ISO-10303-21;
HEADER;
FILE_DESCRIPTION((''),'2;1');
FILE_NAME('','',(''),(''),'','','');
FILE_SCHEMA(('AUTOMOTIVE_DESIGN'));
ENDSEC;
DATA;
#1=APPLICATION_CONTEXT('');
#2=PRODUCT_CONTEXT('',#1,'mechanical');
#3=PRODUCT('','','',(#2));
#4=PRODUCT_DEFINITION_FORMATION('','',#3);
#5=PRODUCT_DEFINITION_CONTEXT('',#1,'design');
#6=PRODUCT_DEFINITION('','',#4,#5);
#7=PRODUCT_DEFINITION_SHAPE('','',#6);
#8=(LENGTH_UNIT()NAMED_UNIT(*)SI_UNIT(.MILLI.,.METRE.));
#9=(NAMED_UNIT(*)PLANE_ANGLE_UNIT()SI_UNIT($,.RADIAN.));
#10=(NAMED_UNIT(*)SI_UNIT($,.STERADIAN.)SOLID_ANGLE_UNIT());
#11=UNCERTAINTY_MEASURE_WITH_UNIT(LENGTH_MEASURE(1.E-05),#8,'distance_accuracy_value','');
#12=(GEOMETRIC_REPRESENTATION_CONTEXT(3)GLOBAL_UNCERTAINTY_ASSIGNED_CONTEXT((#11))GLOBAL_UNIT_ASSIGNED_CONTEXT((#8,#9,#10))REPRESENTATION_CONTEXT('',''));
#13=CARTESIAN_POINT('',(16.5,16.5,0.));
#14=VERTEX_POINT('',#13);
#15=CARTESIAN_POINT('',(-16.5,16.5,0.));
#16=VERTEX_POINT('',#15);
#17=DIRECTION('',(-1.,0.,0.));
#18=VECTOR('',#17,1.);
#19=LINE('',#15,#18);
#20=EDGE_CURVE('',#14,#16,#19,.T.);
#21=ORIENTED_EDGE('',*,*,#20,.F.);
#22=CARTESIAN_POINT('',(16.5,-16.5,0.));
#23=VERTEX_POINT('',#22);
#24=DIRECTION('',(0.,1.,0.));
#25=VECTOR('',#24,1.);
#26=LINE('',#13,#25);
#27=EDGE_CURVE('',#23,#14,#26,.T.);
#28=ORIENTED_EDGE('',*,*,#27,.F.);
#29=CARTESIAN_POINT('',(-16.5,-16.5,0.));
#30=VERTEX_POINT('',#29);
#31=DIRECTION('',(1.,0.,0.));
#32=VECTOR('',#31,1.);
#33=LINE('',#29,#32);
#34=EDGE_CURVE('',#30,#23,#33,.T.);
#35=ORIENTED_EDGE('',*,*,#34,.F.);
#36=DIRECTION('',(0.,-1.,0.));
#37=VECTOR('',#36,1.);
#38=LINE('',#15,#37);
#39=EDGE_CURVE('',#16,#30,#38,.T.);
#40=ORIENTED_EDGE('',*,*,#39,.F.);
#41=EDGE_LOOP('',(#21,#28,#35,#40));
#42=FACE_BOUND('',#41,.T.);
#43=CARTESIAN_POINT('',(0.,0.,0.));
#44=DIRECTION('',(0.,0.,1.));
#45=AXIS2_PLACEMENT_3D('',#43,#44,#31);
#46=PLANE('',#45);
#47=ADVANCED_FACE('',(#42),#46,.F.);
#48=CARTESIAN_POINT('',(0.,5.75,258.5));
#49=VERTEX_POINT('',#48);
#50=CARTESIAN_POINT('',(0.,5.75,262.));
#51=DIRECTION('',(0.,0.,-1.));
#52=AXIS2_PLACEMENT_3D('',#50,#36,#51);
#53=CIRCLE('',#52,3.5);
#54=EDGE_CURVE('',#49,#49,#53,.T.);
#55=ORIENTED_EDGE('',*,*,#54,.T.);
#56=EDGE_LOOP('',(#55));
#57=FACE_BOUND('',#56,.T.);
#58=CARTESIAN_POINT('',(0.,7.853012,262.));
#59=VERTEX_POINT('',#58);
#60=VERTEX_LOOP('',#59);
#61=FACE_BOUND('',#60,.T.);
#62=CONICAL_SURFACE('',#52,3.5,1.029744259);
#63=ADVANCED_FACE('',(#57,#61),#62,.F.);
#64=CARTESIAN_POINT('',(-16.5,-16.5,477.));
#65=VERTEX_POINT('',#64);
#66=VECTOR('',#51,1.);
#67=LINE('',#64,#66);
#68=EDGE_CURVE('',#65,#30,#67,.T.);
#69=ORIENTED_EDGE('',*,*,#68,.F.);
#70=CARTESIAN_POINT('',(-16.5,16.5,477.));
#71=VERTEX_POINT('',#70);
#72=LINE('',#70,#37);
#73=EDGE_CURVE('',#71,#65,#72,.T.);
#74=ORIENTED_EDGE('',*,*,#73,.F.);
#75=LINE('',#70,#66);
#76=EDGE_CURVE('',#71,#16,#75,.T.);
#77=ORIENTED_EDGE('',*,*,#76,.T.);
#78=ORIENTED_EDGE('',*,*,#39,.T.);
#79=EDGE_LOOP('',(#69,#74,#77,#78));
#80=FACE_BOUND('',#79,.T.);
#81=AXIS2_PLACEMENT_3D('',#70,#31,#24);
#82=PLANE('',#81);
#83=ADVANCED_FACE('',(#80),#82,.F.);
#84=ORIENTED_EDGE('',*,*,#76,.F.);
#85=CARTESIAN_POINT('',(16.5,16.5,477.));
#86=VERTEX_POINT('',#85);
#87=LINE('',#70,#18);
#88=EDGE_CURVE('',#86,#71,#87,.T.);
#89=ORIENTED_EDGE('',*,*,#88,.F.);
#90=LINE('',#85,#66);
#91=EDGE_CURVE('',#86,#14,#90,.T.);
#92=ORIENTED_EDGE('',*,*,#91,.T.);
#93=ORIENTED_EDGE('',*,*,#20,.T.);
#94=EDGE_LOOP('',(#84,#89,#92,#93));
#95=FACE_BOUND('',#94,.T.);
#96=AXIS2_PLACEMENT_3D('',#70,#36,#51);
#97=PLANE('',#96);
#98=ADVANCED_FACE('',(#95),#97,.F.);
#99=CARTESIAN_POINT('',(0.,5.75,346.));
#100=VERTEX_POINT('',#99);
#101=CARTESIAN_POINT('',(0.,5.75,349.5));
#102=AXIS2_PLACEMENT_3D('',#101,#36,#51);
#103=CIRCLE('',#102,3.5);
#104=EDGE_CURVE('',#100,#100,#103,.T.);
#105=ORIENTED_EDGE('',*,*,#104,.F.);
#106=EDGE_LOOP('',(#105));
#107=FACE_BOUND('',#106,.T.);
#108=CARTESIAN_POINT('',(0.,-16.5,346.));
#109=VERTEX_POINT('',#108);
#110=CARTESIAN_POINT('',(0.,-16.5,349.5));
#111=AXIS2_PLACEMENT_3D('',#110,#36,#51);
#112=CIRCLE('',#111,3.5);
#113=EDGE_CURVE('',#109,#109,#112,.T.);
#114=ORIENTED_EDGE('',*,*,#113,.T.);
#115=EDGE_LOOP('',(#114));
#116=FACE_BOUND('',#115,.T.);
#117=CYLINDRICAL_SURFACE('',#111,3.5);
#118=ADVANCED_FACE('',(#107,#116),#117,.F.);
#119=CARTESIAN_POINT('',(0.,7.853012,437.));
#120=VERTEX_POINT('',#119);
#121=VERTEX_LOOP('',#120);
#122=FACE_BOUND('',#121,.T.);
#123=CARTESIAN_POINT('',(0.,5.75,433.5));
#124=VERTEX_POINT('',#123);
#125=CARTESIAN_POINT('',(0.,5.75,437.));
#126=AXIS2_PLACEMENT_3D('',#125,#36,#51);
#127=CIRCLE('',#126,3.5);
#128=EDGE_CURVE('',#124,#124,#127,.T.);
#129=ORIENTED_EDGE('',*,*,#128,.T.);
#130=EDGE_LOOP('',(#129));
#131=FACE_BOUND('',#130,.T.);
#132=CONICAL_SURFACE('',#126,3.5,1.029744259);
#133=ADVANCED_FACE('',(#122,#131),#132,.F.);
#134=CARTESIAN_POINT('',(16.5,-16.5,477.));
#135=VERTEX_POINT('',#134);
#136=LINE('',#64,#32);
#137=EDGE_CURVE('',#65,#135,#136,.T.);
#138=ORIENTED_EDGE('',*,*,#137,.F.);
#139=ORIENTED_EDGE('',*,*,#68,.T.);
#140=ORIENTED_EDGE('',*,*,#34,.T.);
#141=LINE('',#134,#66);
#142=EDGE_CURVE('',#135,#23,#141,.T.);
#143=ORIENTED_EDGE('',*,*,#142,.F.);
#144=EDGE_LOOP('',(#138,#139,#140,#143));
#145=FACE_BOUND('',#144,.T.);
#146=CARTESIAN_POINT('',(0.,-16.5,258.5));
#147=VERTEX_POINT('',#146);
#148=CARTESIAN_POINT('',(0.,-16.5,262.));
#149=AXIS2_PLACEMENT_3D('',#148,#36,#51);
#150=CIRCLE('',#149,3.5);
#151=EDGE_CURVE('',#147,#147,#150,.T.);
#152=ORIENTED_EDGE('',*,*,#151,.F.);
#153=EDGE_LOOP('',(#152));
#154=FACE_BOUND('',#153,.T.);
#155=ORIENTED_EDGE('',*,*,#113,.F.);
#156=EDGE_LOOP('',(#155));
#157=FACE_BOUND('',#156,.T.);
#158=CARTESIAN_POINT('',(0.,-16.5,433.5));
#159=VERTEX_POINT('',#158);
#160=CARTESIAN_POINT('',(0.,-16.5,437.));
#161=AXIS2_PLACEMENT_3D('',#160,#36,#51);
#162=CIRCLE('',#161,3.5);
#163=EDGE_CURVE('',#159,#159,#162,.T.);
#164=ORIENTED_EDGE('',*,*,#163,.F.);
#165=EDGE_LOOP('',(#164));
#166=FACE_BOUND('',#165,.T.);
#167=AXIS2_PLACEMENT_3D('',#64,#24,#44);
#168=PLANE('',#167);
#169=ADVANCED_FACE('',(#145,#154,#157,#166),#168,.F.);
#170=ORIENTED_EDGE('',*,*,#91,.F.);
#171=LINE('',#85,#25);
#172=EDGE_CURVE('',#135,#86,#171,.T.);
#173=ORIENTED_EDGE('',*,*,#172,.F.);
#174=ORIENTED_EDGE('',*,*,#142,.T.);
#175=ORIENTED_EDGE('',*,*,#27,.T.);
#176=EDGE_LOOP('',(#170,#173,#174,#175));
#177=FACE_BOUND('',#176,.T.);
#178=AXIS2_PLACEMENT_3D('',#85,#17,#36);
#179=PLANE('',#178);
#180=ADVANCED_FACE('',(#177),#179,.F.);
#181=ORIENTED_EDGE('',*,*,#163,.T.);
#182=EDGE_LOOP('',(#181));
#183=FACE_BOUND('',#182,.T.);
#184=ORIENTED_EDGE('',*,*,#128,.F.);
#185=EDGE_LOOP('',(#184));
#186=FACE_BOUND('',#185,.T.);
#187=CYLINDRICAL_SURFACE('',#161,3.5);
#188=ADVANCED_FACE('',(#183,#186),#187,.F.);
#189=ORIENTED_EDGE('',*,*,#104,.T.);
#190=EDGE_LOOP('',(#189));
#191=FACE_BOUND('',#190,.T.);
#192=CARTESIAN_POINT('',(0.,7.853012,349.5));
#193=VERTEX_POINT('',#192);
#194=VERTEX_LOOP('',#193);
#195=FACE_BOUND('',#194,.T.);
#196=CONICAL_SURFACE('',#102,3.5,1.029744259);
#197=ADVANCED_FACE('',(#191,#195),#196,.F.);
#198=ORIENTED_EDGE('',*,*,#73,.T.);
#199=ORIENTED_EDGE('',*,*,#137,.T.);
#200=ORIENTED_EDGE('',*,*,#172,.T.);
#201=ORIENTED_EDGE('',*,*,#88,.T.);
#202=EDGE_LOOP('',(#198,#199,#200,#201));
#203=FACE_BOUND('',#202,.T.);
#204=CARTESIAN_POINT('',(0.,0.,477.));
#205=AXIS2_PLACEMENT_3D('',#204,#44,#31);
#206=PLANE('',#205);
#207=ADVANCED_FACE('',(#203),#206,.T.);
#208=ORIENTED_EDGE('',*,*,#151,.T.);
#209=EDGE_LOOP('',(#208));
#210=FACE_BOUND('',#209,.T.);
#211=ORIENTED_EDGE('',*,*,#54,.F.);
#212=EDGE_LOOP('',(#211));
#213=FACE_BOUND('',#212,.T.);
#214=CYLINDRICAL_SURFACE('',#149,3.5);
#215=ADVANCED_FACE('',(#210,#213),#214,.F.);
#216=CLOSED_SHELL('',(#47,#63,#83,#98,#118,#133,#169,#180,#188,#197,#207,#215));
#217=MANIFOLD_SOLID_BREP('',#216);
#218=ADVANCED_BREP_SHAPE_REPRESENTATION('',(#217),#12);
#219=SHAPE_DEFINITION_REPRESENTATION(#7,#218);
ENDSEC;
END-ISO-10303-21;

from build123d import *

# Parameters (mm, degrees)
SKIZZE1_W                          = 33
SKIZZE1_H                          = 33
AUFSATZ_LINEAR_AUSTRAGEN1_DEPTH    = 477
F_7_0_7_DURCHMESSER_BOHRUNG1_D     = 7
F_7_0_7_DURCHMESSER_BOHRUNG1_DEPTH = 22.25
F_7_0_7_DURCHMESSER_BOHRUNG1_TIP   = 2.103012167


with BuildPart() as part:
    # Skizze1 → Aufsatz-Linear austragen1 (new body)
    with BuildSketch(Plane.XY):
        Rectangle(SKIZZE1_W, SKIZZE1_H)
    extrude(amount=AUFSATZ_LINEAR_AUSTRAGEN1_DEPTH)

    # Ø7.0 (7) Durchmesser Bohrung1
    with Locations(Plane(origin=(0, -16.5, 0), x_dir=(-1, 0, 0), z_dir=(0, -1, 0))):
        with Locations((0, -437), (0, -349.5), (0, -262)):
            Hole(F_7_0_7_DURCHMESSER_BOHRUNG1_D / 2, depth=F_7_0_7_DURCHMESSER_BOHRUNG1_DEPTH)
            with Locations((0, 0, -(F_7_0_7_DURCHMESSER_BOHRUNG1_DEPTH + F_7_0_7_DURCHMESSER_BOHRUNG1_TIP / 2))):  # 118° drill point
                Cone(0, F_7_0_7_DURCHMESSER_BOHRUNG1_D / 2, F_7_0_7_DURCHMESSER_BOHRUNG1_TIP, mode=Mode.SUBTRACT)


solid = part.part
